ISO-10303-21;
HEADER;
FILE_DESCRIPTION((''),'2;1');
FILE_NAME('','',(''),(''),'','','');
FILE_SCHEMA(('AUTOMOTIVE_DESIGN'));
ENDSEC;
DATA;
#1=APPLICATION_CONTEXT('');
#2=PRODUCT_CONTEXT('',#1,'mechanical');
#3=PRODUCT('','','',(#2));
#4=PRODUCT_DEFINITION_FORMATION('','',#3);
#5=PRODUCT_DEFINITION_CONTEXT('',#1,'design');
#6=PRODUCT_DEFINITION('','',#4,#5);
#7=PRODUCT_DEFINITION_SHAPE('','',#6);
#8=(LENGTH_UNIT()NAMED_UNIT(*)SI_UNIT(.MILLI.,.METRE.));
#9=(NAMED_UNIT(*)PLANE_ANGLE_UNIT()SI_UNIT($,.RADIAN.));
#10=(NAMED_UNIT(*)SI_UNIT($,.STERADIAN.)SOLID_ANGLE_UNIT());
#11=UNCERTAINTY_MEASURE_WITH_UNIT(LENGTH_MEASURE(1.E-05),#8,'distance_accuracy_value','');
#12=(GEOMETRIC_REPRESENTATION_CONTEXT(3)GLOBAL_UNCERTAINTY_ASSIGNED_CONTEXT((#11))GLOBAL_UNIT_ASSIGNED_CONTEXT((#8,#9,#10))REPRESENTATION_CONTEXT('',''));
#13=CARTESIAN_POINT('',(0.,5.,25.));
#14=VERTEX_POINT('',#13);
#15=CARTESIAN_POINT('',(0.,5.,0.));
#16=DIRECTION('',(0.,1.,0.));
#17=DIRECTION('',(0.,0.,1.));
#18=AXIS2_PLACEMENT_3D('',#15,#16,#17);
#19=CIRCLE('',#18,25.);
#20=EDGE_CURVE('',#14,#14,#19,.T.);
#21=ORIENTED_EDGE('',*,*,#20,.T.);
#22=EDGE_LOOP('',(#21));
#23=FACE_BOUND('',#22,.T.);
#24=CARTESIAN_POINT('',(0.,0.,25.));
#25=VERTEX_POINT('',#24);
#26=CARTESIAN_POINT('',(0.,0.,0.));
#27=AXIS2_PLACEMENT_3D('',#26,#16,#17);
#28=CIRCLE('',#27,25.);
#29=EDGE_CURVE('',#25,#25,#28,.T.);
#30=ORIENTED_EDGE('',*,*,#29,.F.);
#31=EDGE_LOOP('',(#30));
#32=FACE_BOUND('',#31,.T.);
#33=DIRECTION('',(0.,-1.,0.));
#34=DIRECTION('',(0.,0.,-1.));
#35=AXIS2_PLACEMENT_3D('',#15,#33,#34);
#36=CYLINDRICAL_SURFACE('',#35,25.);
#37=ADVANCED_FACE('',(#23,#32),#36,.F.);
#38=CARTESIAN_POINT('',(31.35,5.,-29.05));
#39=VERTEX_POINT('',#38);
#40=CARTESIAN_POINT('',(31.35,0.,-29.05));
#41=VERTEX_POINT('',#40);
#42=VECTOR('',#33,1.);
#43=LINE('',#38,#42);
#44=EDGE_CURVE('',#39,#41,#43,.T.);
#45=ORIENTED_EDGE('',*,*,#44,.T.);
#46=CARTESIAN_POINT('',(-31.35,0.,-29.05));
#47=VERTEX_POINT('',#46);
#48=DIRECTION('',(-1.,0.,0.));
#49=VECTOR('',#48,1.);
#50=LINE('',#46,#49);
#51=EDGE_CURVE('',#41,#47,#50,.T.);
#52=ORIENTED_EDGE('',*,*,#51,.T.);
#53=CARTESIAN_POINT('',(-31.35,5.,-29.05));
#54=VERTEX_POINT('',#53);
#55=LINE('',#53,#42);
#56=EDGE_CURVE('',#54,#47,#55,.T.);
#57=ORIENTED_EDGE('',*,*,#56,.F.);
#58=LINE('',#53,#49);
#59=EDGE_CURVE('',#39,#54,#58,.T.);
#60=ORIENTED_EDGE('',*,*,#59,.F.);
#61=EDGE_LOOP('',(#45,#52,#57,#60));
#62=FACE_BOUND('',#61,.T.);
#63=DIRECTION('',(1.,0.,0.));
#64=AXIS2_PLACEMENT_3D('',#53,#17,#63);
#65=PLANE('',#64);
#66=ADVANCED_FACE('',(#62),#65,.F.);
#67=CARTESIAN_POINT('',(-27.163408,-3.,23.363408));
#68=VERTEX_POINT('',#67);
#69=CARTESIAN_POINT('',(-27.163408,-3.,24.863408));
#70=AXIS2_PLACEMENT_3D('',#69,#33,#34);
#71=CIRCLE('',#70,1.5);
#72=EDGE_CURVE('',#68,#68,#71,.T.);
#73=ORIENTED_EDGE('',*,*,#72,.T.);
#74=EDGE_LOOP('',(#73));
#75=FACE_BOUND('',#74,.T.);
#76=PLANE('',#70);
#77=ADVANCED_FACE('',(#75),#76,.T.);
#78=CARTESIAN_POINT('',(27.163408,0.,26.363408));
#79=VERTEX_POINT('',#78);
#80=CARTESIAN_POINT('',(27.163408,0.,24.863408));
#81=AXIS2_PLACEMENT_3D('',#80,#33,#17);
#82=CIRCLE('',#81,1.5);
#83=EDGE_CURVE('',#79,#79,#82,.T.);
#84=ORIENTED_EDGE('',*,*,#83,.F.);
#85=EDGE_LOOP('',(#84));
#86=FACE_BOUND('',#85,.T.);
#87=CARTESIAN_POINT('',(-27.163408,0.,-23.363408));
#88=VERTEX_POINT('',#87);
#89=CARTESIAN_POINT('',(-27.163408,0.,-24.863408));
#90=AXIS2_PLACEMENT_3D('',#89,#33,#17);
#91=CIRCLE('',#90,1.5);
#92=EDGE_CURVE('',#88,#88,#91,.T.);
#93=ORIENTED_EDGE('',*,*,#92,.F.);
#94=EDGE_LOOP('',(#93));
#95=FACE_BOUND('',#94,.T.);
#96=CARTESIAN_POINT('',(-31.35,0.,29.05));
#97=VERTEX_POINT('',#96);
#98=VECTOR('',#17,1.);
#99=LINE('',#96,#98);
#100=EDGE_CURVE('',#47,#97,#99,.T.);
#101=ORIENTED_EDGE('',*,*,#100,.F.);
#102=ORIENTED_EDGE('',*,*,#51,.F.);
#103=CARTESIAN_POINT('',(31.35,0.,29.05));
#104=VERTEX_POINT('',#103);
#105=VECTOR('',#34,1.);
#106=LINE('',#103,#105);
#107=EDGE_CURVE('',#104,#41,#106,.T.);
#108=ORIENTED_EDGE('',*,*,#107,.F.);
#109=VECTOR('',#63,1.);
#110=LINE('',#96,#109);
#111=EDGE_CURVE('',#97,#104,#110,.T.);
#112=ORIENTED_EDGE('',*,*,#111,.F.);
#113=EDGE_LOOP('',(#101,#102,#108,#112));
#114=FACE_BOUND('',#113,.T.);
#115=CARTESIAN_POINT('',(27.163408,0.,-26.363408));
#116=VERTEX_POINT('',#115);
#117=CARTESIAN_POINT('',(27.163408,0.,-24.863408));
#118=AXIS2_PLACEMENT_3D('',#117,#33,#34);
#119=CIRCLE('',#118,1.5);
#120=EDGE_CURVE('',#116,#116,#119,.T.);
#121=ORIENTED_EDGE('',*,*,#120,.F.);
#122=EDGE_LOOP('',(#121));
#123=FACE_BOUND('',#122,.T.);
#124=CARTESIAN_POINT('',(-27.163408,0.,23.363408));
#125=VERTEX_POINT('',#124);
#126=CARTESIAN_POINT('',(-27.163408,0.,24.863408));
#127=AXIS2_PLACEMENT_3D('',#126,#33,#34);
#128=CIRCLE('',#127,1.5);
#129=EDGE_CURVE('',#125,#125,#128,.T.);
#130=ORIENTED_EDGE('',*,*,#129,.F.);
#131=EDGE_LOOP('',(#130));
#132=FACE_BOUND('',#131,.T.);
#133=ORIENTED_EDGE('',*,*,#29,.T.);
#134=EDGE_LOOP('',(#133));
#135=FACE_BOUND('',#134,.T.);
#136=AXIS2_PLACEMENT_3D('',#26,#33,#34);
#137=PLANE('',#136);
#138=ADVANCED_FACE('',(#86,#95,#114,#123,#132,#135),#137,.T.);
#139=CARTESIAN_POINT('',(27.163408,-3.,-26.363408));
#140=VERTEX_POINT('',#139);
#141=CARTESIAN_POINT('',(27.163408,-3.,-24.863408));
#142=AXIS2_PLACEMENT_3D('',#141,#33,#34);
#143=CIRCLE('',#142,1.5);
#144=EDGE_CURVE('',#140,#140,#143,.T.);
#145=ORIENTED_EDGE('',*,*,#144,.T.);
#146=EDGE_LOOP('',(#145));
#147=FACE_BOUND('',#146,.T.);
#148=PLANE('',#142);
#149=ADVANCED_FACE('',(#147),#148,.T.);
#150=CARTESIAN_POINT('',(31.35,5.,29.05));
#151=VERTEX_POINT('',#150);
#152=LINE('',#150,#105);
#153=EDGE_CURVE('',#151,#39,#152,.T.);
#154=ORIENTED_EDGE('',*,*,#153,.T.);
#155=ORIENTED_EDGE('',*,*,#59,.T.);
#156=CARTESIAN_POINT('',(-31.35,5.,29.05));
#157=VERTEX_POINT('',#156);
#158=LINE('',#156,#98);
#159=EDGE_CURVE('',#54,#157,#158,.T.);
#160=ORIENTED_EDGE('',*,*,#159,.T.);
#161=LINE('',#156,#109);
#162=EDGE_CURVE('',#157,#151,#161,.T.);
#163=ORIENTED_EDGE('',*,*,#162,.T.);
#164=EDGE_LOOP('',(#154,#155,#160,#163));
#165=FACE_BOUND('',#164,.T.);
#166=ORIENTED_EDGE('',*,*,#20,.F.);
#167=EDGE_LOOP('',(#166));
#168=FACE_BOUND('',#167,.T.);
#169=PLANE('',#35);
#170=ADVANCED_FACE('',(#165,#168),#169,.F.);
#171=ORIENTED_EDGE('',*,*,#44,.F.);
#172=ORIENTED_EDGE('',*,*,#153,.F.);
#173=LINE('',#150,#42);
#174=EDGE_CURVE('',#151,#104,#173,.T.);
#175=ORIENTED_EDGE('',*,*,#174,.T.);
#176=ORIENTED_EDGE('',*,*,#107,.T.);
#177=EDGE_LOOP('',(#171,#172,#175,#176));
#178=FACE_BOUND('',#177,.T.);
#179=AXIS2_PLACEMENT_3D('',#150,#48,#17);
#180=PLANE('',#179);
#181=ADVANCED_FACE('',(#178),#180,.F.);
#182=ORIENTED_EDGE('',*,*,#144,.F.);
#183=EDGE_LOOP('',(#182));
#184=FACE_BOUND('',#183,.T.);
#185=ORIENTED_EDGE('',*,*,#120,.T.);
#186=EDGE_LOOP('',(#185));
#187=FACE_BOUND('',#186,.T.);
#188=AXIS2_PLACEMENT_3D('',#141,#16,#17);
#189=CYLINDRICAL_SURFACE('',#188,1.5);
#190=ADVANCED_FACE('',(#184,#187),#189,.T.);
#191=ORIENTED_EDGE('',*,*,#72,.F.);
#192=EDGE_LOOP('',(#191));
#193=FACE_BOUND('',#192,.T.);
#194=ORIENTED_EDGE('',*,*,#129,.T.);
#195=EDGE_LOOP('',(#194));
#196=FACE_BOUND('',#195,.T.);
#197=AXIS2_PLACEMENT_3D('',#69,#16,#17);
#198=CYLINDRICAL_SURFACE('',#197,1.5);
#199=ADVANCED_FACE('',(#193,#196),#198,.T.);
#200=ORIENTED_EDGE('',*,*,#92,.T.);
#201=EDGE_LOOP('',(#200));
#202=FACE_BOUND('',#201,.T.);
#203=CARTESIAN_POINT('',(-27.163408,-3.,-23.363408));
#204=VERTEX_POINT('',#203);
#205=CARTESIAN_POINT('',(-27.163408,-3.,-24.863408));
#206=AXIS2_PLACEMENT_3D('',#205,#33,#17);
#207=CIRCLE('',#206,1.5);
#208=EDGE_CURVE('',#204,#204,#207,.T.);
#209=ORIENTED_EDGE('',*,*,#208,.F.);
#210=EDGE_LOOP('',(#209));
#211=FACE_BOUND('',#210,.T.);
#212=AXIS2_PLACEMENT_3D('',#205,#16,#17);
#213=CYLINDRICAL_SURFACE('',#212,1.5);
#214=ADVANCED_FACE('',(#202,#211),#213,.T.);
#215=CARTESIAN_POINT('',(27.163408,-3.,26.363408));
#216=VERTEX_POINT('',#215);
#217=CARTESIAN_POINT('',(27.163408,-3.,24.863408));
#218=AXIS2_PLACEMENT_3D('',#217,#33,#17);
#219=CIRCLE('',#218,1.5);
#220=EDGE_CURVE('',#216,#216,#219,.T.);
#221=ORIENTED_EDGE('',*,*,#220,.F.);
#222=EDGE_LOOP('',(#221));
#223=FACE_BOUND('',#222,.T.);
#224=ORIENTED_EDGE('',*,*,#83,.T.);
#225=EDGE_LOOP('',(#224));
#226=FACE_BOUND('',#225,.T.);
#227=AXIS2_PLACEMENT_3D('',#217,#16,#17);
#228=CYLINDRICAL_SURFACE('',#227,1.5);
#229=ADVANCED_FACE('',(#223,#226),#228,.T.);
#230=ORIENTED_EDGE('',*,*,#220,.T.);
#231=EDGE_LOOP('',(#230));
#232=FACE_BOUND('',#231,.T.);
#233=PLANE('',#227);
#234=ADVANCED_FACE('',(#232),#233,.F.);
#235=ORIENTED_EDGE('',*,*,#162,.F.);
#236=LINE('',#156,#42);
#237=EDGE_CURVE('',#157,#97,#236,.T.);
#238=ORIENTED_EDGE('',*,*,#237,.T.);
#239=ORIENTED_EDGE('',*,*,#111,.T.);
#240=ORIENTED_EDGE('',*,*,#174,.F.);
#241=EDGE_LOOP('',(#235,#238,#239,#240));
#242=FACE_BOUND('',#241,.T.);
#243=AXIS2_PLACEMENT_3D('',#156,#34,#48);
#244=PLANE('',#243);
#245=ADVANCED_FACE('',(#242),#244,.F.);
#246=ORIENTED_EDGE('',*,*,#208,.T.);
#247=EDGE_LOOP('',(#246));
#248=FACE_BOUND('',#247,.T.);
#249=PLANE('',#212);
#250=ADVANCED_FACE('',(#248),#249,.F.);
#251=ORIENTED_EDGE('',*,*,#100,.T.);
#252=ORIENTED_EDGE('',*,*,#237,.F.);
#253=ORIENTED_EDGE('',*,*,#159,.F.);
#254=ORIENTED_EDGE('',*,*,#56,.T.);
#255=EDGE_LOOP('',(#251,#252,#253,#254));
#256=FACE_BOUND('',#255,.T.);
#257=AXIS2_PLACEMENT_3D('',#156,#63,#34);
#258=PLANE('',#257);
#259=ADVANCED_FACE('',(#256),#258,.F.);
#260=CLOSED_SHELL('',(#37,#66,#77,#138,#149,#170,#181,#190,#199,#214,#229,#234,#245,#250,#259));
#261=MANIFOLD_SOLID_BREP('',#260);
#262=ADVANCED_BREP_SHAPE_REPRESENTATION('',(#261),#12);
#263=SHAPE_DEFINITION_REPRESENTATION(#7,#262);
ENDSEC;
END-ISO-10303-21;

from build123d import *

# Parameters (mm, degrees)
SKETCH1_W           = 62.7
SKETCH1_H           = 58.1
SKETCH1_R           = 25
BOSS_EXTRUDE1_DEPTH = 5
SKETCH2_R           = 1.5
BOSS_EXTRUDE2_DEPTH = 3


with BuildPart() as part:
    # Sketch1 → Boss-Extrude1 (new body)
    with BuildSketch(Plane(origin=(0, 0, 0), x_dir=(1, 0, 0), z_dir=(0, 1, 0))):
        Rectangle(SKETCH1_W, SKETCH1_H)
        with Locations(Location((0, 0, 0), (0, 0, 270))):
            Circle(SKETCH1_R, mode=Mode.SUBTRACT)
    extrude(amount=BOSS_EXTRUDE1_DEPTH)

    # Sketch2 → Boss-Extrude2 (add)
    with BuildSketch(Plane.XZ):
        with Locations(Location((-27.163407974, 24.863407974, 0), (0, 0, 270))):
            Circle(SKETCH2_R)
        with Locations(Location((27.163407974, 24.863407974, 0), (0, 0, 90))):
            Circle(SKETCH2_R)
        with Locations(Location((27.163407974, -24.863407974, 0), (0, 0, 270))):
            Circle(SKETCH2_R)
        with Locations(Location((-27.163407974, -24.863407974, 0), (0, 0, 90))):
            Circle(SKETCH2_R)
    extrude(amount=BOSS_EXTRUDE2_DEPTH)


solid = part.part
